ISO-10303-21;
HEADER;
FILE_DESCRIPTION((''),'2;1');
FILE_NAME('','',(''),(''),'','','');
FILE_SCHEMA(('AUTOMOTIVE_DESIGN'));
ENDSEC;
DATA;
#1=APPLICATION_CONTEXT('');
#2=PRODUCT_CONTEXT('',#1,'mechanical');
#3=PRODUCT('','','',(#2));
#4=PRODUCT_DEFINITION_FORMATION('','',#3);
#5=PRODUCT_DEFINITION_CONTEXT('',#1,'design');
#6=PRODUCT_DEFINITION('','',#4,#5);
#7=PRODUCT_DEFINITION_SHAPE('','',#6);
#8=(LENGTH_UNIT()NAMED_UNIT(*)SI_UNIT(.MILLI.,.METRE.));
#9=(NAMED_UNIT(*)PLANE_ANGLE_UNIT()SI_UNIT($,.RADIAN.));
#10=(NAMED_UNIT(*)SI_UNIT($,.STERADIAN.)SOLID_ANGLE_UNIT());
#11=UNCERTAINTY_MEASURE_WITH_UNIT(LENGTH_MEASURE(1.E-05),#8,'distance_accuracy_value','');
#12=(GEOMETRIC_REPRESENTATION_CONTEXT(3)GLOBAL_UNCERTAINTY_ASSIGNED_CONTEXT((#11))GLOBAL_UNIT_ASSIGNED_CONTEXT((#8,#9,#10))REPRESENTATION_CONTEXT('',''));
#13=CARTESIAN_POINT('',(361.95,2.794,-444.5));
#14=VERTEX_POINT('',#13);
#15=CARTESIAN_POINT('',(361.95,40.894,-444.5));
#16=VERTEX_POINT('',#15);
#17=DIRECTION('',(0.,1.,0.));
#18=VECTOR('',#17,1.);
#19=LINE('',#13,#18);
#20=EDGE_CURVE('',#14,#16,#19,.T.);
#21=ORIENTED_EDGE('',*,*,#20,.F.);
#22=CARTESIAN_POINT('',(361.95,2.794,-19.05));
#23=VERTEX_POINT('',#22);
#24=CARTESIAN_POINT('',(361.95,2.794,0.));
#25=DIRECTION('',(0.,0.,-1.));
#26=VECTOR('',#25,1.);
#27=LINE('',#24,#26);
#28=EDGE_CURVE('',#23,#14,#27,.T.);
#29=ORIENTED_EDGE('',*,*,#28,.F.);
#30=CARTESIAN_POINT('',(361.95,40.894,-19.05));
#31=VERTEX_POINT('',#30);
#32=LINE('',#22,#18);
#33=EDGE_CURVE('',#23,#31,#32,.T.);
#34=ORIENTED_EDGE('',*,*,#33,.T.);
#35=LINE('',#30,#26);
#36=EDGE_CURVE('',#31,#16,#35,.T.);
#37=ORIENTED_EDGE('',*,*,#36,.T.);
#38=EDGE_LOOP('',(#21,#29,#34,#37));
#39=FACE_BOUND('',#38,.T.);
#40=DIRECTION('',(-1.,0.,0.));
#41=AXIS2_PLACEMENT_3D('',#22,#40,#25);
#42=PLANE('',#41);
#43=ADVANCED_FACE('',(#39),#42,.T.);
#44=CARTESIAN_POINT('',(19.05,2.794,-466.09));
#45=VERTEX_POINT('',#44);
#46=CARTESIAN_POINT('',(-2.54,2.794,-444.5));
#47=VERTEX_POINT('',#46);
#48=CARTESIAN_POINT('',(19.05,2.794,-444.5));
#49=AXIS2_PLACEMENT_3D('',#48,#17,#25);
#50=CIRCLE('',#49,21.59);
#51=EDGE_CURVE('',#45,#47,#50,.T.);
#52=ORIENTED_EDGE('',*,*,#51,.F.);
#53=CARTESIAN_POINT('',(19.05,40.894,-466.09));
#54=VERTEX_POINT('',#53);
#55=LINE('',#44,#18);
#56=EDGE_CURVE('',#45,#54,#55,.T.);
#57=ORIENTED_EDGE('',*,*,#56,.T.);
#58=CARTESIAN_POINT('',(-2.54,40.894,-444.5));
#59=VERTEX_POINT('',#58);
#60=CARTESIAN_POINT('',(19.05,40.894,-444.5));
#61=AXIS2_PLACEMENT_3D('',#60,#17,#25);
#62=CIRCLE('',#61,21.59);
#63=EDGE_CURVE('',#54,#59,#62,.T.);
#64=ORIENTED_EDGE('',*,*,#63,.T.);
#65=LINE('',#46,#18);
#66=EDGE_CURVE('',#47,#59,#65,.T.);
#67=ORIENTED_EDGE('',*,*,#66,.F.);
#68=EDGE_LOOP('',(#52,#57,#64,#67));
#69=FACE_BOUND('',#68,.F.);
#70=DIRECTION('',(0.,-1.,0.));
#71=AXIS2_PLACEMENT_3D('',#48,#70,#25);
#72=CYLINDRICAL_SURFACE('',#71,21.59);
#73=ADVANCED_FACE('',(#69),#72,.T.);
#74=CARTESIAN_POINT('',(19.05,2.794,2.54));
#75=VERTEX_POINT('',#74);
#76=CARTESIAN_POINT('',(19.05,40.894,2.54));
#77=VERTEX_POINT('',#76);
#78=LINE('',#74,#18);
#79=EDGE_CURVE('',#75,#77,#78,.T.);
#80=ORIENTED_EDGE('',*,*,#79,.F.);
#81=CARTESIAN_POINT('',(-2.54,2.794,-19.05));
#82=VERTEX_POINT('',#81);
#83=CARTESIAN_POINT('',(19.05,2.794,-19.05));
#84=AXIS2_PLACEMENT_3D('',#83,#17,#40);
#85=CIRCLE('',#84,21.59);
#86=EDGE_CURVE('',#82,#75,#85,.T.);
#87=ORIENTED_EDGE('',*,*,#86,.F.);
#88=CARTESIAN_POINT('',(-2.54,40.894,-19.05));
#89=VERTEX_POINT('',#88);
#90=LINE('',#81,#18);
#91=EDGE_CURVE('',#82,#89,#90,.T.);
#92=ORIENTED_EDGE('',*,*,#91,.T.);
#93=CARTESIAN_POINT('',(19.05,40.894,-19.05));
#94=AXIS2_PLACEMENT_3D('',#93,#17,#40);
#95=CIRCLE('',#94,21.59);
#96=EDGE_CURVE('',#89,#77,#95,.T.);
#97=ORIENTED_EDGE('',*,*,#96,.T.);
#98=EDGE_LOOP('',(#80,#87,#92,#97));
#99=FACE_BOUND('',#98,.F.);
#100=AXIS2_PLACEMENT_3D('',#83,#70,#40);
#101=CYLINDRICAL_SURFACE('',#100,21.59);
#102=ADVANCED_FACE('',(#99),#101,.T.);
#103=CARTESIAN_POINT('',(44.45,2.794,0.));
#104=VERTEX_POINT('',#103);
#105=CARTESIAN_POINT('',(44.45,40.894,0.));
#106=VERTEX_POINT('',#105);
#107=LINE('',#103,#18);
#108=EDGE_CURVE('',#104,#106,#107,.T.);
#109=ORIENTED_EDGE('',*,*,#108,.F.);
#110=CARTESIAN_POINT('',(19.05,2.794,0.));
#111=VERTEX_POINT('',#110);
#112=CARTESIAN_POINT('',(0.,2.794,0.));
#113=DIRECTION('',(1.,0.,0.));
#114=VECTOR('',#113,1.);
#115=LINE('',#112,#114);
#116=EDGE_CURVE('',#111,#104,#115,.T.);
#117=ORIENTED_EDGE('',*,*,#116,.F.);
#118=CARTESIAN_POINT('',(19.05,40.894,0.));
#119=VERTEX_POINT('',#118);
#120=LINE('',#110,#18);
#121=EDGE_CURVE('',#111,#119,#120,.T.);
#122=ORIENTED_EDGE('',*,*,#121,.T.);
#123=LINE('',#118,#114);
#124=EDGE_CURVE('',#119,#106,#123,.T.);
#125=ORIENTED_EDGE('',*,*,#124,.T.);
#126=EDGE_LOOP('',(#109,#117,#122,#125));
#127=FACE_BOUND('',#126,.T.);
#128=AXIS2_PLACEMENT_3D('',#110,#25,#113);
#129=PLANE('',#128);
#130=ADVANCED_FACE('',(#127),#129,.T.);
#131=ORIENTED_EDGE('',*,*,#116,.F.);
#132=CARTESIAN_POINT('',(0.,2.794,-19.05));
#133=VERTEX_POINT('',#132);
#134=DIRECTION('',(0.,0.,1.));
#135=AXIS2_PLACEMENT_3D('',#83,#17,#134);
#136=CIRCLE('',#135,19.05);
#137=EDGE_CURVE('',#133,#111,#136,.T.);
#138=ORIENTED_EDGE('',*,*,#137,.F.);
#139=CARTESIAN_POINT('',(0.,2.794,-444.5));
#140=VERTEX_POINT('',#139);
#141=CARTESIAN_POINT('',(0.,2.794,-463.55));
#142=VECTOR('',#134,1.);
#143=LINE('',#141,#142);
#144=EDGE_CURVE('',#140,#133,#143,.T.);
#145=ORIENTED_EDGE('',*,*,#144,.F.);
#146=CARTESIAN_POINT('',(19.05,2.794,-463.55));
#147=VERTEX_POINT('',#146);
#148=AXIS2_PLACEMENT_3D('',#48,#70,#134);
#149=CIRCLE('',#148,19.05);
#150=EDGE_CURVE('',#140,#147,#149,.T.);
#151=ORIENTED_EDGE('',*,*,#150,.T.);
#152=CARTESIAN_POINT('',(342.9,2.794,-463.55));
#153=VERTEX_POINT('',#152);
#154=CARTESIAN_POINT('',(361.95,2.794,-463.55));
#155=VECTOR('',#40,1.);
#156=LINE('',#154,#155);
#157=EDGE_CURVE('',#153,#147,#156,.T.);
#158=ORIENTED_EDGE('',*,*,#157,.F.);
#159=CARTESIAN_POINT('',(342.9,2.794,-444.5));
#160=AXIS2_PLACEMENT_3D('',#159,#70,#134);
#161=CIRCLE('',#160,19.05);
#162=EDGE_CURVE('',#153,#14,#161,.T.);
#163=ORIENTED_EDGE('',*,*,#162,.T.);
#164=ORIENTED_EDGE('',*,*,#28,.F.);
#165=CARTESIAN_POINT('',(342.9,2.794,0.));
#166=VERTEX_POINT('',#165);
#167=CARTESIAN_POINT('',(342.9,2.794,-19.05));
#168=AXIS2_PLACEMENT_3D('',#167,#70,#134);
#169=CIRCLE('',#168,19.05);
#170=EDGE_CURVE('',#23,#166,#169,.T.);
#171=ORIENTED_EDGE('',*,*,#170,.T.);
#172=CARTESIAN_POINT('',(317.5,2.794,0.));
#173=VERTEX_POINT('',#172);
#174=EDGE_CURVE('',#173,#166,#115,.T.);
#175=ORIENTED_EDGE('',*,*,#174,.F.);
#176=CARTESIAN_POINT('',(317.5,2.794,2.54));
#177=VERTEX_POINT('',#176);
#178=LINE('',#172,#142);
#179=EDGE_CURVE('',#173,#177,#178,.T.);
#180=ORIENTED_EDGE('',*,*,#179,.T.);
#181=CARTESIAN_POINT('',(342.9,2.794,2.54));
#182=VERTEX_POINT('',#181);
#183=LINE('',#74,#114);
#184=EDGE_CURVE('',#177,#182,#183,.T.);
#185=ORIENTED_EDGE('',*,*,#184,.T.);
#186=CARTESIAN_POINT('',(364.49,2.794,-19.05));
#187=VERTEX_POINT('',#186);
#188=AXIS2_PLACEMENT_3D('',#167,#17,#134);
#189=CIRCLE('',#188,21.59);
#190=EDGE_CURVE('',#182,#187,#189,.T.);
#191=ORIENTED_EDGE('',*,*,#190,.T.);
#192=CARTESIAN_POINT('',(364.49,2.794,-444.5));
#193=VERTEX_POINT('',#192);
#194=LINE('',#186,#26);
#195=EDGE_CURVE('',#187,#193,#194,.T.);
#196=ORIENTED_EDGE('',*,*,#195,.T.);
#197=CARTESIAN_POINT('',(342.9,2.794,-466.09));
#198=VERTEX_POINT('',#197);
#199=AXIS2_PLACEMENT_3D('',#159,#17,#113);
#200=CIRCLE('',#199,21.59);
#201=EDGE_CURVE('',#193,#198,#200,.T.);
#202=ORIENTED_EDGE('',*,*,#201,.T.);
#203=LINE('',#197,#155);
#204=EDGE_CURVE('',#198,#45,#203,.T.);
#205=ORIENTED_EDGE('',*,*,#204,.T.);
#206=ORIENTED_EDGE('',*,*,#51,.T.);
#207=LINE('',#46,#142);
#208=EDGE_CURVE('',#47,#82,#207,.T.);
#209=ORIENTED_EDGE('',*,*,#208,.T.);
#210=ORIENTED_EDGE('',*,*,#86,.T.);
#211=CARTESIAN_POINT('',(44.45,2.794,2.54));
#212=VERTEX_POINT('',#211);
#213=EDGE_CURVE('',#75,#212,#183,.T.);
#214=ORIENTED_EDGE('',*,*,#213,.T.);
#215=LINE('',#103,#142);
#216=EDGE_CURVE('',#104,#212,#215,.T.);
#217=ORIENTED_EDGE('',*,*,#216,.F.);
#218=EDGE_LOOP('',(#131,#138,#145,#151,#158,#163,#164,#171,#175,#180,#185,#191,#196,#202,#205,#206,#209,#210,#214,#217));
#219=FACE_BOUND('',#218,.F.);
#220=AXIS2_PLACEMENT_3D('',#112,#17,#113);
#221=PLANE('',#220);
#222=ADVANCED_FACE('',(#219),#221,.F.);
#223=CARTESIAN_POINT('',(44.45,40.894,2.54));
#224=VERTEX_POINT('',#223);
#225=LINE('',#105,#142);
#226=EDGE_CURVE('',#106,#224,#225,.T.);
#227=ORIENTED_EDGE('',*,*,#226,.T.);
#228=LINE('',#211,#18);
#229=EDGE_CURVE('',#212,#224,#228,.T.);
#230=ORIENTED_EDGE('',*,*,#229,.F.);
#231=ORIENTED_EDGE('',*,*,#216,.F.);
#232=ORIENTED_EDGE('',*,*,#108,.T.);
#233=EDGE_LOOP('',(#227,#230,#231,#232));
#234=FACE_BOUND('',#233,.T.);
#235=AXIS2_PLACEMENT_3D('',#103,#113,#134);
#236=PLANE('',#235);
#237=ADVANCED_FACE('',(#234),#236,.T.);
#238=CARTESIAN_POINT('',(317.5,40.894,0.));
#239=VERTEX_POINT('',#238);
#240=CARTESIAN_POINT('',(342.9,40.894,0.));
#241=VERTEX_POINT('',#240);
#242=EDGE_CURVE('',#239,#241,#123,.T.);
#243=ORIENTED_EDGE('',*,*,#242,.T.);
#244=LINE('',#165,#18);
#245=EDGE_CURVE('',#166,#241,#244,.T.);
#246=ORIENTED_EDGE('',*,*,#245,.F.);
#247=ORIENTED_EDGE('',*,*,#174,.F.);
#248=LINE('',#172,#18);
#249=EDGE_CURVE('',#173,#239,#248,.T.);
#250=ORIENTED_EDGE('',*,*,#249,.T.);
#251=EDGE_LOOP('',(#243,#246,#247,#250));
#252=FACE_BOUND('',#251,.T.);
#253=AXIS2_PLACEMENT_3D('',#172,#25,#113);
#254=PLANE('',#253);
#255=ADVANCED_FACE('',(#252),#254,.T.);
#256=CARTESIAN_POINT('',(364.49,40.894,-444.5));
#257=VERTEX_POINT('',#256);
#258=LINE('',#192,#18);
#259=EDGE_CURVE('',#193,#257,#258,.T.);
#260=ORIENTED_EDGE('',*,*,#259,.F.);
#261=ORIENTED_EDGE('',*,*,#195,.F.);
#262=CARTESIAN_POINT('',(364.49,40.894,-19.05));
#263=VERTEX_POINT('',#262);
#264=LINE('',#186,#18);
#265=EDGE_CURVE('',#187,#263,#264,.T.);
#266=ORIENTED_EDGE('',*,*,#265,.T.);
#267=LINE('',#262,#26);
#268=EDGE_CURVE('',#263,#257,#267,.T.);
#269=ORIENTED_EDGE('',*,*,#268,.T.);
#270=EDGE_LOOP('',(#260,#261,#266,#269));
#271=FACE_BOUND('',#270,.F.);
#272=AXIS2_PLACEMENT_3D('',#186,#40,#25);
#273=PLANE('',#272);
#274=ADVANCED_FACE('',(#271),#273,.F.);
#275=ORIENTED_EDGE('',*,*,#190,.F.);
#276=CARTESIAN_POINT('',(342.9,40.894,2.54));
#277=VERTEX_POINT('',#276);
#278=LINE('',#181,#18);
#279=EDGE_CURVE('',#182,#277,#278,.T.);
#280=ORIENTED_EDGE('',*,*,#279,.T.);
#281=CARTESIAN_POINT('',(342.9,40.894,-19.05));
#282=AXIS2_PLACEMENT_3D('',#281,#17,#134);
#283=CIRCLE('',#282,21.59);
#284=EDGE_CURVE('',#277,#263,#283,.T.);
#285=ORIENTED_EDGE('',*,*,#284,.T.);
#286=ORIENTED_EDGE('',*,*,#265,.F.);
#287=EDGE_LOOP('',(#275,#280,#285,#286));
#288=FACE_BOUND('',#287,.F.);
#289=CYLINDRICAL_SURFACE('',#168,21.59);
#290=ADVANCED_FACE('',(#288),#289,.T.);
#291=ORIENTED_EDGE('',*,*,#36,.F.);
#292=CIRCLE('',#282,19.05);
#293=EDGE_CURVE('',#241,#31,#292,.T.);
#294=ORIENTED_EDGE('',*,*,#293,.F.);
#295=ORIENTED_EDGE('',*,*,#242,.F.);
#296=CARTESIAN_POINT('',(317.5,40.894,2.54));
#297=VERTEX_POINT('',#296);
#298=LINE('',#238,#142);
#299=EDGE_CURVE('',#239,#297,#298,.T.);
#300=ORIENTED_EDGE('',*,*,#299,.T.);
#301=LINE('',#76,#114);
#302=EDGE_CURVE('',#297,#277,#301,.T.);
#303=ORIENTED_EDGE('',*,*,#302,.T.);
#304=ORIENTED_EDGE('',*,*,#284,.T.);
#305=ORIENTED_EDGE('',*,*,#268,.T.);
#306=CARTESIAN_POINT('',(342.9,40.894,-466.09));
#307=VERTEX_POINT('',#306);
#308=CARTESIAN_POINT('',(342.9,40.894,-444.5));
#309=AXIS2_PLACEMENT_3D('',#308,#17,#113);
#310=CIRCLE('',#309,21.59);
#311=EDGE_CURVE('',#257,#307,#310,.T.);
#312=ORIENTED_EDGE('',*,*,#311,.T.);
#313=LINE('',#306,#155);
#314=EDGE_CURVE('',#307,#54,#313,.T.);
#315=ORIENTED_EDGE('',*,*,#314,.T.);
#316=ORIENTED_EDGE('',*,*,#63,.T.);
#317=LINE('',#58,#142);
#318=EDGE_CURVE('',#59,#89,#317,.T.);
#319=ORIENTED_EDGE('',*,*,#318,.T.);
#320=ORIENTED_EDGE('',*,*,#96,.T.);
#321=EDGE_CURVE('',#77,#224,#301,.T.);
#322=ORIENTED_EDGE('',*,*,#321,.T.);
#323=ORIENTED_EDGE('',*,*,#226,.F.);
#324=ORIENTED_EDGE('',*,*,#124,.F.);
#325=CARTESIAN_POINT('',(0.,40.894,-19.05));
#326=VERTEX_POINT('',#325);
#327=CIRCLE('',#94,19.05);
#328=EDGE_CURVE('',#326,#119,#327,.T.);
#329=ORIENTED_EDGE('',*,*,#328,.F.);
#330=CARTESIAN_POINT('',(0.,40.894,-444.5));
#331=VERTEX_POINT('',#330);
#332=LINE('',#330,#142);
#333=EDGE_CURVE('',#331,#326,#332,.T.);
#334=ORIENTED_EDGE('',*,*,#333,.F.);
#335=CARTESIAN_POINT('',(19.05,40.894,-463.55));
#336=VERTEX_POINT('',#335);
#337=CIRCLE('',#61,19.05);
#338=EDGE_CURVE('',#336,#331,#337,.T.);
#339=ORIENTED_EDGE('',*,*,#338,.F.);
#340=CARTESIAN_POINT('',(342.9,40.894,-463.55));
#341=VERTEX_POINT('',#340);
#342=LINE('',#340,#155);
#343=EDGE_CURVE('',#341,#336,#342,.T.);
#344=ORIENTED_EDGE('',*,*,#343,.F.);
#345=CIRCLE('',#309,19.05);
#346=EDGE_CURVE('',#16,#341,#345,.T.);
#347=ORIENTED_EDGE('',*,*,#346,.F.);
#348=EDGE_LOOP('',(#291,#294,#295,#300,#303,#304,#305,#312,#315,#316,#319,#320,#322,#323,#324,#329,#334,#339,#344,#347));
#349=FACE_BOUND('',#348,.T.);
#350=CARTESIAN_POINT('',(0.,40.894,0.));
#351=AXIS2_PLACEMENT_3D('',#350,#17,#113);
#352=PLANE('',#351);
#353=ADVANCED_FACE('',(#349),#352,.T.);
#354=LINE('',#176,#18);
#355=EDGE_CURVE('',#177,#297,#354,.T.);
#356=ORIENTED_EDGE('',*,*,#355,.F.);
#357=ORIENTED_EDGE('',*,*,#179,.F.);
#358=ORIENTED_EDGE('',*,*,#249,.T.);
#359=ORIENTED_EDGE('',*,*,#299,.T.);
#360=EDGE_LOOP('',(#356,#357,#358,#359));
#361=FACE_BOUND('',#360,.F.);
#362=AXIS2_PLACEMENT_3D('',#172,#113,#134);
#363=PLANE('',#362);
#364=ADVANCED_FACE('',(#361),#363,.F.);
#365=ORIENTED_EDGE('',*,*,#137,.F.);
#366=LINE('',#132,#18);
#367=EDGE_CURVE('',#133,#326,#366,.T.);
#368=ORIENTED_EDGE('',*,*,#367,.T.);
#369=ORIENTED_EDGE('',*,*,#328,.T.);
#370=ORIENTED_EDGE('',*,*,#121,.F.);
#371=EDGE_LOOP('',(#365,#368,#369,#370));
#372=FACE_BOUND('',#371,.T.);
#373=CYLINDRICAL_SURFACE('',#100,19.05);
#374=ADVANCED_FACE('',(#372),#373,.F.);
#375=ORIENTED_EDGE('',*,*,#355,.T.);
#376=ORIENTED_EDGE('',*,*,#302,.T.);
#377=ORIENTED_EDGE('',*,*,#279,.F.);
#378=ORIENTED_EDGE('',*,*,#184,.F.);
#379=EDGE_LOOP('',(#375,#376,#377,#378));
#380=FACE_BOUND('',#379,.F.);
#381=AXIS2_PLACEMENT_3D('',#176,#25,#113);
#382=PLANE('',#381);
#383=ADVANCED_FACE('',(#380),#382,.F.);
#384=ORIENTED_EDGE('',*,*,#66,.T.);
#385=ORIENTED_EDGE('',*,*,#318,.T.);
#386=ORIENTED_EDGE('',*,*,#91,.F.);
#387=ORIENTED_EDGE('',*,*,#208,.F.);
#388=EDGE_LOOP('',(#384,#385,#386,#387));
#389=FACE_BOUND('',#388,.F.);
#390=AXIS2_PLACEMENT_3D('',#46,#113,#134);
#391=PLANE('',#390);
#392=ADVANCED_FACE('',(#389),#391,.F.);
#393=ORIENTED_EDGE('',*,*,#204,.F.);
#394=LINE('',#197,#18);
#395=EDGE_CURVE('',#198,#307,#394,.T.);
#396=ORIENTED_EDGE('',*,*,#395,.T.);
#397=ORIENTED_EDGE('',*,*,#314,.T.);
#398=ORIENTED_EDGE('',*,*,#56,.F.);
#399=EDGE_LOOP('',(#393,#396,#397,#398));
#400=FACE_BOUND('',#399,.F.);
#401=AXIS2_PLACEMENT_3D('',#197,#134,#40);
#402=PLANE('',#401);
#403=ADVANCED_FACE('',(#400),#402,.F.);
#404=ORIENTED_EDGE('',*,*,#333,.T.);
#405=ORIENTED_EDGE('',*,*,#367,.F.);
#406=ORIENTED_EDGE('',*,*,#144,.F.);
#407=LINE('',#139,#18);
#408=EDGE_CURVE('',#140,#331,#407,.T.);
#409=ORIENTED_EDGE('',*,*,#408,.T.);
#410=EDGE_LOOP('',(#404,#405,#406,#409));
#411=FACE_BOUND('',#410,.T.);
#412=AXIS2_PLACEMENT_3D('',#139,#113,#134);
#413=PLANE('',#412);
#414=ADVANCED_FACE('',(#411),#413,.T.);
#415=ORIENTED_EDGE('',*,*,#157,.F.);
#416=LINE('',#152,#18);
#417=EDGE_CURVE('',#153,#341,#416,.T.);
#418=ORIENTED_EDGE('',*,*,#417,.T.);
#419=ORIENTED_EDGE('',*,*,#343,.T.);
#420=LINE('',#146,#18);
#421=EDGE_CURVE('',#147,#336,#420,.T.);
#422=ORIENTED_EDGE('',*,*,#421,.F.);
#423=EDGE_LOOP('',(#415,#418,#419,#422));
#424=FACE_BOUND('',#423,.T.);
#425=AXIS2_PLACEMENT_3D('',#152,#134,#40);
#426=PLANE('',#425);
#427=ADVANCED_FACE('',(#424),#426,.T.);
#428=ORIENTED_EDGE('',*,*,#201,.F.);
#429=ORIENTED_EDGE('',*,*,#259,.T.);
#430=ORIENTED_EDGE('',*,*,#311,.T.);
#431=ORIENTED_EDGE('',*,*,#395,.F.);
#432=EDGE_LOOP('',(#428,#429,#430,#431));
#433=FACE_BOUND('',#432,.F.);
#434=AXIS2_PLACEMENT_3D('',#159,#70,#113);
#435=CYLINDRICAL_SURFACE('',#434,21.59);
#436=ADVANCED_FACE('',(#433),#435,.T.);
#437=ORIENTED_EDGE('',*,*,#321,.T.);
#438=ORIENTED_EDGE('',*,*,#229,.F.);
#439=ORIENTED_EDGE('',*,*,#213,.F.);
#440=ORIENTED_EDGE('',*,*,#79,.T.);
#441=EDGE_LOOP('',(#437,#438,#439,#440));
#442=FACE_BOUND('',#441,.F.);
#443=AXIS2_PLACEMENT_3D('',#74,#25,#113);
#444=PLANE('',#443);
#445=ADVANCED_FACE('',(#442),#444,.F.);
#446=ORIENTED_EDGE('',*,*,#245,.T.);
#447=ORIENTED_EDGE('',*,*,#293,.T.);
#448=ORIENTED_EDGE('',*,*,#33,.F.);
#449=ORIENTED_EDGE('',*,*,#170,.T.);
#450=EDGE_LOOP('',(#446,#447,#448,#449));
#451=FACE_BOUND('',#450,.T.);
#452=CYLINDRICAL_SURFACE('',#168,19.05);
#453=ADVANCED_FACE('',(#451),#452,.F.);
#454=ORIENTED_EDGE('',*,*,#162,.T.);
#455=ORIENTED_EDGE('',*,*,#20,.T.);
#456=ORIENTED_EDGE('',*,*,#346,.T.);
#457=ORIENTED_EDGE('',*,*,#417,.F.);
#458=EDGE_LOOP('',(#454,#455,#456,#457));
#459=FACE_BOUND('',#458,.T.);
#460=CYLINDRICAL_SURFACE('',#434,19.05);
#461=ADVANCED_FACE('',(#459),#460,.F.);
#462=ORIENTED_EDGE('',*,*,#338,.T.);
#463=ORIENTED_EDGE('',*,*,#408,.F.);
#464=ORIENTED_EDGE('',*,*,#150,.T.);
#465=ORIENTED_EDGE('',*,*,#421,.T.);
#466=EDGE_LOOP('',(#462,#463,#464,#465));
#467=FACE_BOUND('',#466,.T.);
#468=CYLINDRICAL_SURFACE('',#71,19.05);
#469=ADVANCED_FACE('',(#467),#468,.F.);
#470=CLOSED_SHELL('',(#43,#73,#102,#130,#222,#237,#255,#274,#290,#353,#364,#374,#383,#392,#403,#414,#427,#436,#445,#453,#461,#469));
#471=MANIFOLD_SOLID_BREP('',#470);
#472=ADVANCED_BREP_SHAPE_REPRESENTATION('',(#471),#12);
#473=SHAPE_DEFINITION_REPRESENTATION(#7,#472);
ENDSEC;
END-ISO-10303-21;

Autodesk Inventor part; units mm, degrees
ref_plane "YZ Plane" through (0, 0, 0) normal (1, 0, 0) x (0, 1, 0)
ref_plane "XZ Plane" through (0, 0, 0) normal (0, 1, 0) x (-1, 0, 0)
ref_plane "XY Plane" through (0, 0, 0) normal (0, 0, 1) x (1, 0, 0)
sketch "Sketch1" plane through (0, 0, 0) normal (0, 1, 0) x (-1, 0, 0)
  line L0 (0, 0) -> (-361.95, 0)
  line L1 (-361.95, 0) -> (-361.95, -463.55)
  line L2 (-361.95, -463.55) -> (0, -463.55)
  line L3 (0, -463.55) -> (0, 0)
  dimension "d0" = 361.95
  dimension "d1" = 463.55
extrude "Extrusion1" add sketch "Sketch1" along normal blind 2.794
fillet "Fillet1" radius 19.05 4 edges at (361.95, 1.397, 0) (361.95, 1.397, -463.55) (0, 1.397, -463.55) (0, 1.397, 0)
sketch "Sketch2" plane through (0, 0, 0) normal (0, -1, 0) x (1, 0, 0)
  line L0 (19.05, 0) -> (342.9, 0)
  line L1 (342.9, 0) -> (342.9, -2.8525)
  line L2 (342.9, -2.8525) -> (19.05, -2.8525)
  line L3 (19.05, -2.8525) -> (19.05, 0)
  line L4 (342.9, -2.8525) -> (317.5, -2.8525)
  line L5 (317.5, -2.8525) -> (317.5, 0)
  line L6 (317.5, 0) -> (342.9, 0)
  line L7 (342.9, 0) -> (342.9, -2.8525)
  line L8 (19.05, -2.8525) -> (44.45, -2.8525)
  line L9 (44.45, -2.8525) -> (44.45, 0)
  line L10 (44.45, 0) -> (19.05, 0)
  line L11 (19.05, 0) -> (19.05, -2.8525)
  line L12 (44.45, -2.8525) -> (317.5, -2.8525)
  line L13 (317.5, -2.8525) -> (317.5, 0)
  line L14 (317.5, 0) -> (44.45, 0)
  line L15 (44.45, 0) -> (44.45, -2.8525)
  point P0 (0, 0)
  dimension "d5" = 25.4
  dimension "d6" = 25.4
extrude "Extrusion2" add sketch "Sketch2" along normal blind 25.4 contours L0 L5 L2 L9
sketch "Sketch3" plane through (19.05, 2.794, 0) normal (0, 0, 1) x (1, 0, 0)
  line L0 (323.85, -2.794) -> (0, -2.794) projected
  line L1 (25.405, -2.794) -> (25.4, -15.494)
  line L2 (25.4, -2.794) -> (25.4, -28.194) projected
  line L3 (25.4, -15.494) -> (85.4, -15.5178)
  line L4 (298.45, -2.794) -> (298.45, -28.194) projected
  line L5 (298.45, -15.494) -> (238.45, -15.494)
  circle A0 centre (85.4, -15.5178) radius 3.429
  circle A1 centre (238.45, -15.494) radius 3.429
  point P0 (-19.05, -2.794)
  dimension "d9" = 12.7
  dimension "d10" = 60
  dimension "d11" = 60
  dimension "d12" = 6.858
  dimension "d13" = 6.858
extrude "Extrusion3" cut sketch "Sketch3" against normal blind 25.4 contours A0 | A1
sketch "Sketch4" plane through (0, 2.794, 0) normal (0, 1, 0) x (1, 0, 0)
  arc A0 (0, 19.05) -> (19.05, 0) centre (19.05, 19.05) ccw projected
  line L0 (19.05, 0) -> (342.9, 0) projected
  arc A1 (342.9, 0) -> (361.95, 19.05) centre (342.9, 19.05) ccw projected
  line L1 (361.95, 19.05) -> (361.95, 444.5) projected
  arc A2 (361.95, 444.5) -> (342.9, 463.55) centre (342.9, 444.5) ccw projected
  line L2 (342.9, 463.55) -> (19.05, 463.55) projected
  arc A3 (19.05, 463.55) -> (0, 444.5) centre (19.05, 444.5) ccw projected
  line L3 (0, 444.5) -> (0, 19.05) projected
  arc A4 (-2.54, 19.05) -> (19.05, -2.54) centre (19.05, 19.05) ccw
  line L4 (19.05, -2.54) -> (342.9, -2.54)
  arc A5 (342.9, -2.54) -> (364.49, 19.05) centre (342.9, 19.05) ccw
  line L5 (364.49, 19.05) -> (364.49, 444.5)
  arc A6 (364.49, 444.5) -> (342.9, 466.09) centre (342.9, 444.5) ccw
  line L6 (342.9, 466.09) -> (19.05, 466.09)
  arc A7 (19.05, 466.09) -> (-2.54, 444.5) centre (19.05, 444.5) ccw
  line L7 (-2.54, 444.5) -> (-2.54, 19.05)
  line L8 (44.45, 0) -> (44.45, -2.54)
  line L9 (317.5, 0) -> (317.5, -2.54)
  point P0 (0, 0)
  dimension "d16" = 2.54
extrude "Extrusion4" add sketch "Sketch4" along normal blind 38.1 contours A0 L0 L8 L4 A4 L7 A7 L6 A6 L5 A5 L9 A1 L1 A2 L2 A3 L3
sketch "Sketch5" plane through (0, 2.794, 0) normal (0, 1, 0) x (1, 0, 0)
  arc A0 (0, 19.05) -> (19.05, 0) centre (19.05, 19.05) ccw projected
  line L0 (19.05, 0) -> (44.45, 0) projected
  line L1 (44.45, 0) -> (317.5, 0) projected
  line L2 (317.5, 0) -> (342.9, 0) projected
  arc A1 (342.9, 0) -> (361.95, 19.05) centre (342.9, 19.05) ccw projected
  line L3 (361.95, 19.05) -> (361.95, 444.5) projected
  arc A2 (361.95, 444.5) -> (342.9, 463.55) centre (342.9, 444.5) ccw projected
  line L4 (342.9, 463.55) -> (19.05, 463.55) projected
  arc A3 (19.05, 463.55) -> (0, 444.5) centre (19.05, 444.5) ccw projected
  line L5 (0, 444.5) -> (0, 19.05) projected
  point P0 (0, 0)
extrude "Extrusion5" cut sketch "Sketch5" against normal blind 38.1
properties part number "Cart_TOP_SHELF-LIP" material "Cart Material"
